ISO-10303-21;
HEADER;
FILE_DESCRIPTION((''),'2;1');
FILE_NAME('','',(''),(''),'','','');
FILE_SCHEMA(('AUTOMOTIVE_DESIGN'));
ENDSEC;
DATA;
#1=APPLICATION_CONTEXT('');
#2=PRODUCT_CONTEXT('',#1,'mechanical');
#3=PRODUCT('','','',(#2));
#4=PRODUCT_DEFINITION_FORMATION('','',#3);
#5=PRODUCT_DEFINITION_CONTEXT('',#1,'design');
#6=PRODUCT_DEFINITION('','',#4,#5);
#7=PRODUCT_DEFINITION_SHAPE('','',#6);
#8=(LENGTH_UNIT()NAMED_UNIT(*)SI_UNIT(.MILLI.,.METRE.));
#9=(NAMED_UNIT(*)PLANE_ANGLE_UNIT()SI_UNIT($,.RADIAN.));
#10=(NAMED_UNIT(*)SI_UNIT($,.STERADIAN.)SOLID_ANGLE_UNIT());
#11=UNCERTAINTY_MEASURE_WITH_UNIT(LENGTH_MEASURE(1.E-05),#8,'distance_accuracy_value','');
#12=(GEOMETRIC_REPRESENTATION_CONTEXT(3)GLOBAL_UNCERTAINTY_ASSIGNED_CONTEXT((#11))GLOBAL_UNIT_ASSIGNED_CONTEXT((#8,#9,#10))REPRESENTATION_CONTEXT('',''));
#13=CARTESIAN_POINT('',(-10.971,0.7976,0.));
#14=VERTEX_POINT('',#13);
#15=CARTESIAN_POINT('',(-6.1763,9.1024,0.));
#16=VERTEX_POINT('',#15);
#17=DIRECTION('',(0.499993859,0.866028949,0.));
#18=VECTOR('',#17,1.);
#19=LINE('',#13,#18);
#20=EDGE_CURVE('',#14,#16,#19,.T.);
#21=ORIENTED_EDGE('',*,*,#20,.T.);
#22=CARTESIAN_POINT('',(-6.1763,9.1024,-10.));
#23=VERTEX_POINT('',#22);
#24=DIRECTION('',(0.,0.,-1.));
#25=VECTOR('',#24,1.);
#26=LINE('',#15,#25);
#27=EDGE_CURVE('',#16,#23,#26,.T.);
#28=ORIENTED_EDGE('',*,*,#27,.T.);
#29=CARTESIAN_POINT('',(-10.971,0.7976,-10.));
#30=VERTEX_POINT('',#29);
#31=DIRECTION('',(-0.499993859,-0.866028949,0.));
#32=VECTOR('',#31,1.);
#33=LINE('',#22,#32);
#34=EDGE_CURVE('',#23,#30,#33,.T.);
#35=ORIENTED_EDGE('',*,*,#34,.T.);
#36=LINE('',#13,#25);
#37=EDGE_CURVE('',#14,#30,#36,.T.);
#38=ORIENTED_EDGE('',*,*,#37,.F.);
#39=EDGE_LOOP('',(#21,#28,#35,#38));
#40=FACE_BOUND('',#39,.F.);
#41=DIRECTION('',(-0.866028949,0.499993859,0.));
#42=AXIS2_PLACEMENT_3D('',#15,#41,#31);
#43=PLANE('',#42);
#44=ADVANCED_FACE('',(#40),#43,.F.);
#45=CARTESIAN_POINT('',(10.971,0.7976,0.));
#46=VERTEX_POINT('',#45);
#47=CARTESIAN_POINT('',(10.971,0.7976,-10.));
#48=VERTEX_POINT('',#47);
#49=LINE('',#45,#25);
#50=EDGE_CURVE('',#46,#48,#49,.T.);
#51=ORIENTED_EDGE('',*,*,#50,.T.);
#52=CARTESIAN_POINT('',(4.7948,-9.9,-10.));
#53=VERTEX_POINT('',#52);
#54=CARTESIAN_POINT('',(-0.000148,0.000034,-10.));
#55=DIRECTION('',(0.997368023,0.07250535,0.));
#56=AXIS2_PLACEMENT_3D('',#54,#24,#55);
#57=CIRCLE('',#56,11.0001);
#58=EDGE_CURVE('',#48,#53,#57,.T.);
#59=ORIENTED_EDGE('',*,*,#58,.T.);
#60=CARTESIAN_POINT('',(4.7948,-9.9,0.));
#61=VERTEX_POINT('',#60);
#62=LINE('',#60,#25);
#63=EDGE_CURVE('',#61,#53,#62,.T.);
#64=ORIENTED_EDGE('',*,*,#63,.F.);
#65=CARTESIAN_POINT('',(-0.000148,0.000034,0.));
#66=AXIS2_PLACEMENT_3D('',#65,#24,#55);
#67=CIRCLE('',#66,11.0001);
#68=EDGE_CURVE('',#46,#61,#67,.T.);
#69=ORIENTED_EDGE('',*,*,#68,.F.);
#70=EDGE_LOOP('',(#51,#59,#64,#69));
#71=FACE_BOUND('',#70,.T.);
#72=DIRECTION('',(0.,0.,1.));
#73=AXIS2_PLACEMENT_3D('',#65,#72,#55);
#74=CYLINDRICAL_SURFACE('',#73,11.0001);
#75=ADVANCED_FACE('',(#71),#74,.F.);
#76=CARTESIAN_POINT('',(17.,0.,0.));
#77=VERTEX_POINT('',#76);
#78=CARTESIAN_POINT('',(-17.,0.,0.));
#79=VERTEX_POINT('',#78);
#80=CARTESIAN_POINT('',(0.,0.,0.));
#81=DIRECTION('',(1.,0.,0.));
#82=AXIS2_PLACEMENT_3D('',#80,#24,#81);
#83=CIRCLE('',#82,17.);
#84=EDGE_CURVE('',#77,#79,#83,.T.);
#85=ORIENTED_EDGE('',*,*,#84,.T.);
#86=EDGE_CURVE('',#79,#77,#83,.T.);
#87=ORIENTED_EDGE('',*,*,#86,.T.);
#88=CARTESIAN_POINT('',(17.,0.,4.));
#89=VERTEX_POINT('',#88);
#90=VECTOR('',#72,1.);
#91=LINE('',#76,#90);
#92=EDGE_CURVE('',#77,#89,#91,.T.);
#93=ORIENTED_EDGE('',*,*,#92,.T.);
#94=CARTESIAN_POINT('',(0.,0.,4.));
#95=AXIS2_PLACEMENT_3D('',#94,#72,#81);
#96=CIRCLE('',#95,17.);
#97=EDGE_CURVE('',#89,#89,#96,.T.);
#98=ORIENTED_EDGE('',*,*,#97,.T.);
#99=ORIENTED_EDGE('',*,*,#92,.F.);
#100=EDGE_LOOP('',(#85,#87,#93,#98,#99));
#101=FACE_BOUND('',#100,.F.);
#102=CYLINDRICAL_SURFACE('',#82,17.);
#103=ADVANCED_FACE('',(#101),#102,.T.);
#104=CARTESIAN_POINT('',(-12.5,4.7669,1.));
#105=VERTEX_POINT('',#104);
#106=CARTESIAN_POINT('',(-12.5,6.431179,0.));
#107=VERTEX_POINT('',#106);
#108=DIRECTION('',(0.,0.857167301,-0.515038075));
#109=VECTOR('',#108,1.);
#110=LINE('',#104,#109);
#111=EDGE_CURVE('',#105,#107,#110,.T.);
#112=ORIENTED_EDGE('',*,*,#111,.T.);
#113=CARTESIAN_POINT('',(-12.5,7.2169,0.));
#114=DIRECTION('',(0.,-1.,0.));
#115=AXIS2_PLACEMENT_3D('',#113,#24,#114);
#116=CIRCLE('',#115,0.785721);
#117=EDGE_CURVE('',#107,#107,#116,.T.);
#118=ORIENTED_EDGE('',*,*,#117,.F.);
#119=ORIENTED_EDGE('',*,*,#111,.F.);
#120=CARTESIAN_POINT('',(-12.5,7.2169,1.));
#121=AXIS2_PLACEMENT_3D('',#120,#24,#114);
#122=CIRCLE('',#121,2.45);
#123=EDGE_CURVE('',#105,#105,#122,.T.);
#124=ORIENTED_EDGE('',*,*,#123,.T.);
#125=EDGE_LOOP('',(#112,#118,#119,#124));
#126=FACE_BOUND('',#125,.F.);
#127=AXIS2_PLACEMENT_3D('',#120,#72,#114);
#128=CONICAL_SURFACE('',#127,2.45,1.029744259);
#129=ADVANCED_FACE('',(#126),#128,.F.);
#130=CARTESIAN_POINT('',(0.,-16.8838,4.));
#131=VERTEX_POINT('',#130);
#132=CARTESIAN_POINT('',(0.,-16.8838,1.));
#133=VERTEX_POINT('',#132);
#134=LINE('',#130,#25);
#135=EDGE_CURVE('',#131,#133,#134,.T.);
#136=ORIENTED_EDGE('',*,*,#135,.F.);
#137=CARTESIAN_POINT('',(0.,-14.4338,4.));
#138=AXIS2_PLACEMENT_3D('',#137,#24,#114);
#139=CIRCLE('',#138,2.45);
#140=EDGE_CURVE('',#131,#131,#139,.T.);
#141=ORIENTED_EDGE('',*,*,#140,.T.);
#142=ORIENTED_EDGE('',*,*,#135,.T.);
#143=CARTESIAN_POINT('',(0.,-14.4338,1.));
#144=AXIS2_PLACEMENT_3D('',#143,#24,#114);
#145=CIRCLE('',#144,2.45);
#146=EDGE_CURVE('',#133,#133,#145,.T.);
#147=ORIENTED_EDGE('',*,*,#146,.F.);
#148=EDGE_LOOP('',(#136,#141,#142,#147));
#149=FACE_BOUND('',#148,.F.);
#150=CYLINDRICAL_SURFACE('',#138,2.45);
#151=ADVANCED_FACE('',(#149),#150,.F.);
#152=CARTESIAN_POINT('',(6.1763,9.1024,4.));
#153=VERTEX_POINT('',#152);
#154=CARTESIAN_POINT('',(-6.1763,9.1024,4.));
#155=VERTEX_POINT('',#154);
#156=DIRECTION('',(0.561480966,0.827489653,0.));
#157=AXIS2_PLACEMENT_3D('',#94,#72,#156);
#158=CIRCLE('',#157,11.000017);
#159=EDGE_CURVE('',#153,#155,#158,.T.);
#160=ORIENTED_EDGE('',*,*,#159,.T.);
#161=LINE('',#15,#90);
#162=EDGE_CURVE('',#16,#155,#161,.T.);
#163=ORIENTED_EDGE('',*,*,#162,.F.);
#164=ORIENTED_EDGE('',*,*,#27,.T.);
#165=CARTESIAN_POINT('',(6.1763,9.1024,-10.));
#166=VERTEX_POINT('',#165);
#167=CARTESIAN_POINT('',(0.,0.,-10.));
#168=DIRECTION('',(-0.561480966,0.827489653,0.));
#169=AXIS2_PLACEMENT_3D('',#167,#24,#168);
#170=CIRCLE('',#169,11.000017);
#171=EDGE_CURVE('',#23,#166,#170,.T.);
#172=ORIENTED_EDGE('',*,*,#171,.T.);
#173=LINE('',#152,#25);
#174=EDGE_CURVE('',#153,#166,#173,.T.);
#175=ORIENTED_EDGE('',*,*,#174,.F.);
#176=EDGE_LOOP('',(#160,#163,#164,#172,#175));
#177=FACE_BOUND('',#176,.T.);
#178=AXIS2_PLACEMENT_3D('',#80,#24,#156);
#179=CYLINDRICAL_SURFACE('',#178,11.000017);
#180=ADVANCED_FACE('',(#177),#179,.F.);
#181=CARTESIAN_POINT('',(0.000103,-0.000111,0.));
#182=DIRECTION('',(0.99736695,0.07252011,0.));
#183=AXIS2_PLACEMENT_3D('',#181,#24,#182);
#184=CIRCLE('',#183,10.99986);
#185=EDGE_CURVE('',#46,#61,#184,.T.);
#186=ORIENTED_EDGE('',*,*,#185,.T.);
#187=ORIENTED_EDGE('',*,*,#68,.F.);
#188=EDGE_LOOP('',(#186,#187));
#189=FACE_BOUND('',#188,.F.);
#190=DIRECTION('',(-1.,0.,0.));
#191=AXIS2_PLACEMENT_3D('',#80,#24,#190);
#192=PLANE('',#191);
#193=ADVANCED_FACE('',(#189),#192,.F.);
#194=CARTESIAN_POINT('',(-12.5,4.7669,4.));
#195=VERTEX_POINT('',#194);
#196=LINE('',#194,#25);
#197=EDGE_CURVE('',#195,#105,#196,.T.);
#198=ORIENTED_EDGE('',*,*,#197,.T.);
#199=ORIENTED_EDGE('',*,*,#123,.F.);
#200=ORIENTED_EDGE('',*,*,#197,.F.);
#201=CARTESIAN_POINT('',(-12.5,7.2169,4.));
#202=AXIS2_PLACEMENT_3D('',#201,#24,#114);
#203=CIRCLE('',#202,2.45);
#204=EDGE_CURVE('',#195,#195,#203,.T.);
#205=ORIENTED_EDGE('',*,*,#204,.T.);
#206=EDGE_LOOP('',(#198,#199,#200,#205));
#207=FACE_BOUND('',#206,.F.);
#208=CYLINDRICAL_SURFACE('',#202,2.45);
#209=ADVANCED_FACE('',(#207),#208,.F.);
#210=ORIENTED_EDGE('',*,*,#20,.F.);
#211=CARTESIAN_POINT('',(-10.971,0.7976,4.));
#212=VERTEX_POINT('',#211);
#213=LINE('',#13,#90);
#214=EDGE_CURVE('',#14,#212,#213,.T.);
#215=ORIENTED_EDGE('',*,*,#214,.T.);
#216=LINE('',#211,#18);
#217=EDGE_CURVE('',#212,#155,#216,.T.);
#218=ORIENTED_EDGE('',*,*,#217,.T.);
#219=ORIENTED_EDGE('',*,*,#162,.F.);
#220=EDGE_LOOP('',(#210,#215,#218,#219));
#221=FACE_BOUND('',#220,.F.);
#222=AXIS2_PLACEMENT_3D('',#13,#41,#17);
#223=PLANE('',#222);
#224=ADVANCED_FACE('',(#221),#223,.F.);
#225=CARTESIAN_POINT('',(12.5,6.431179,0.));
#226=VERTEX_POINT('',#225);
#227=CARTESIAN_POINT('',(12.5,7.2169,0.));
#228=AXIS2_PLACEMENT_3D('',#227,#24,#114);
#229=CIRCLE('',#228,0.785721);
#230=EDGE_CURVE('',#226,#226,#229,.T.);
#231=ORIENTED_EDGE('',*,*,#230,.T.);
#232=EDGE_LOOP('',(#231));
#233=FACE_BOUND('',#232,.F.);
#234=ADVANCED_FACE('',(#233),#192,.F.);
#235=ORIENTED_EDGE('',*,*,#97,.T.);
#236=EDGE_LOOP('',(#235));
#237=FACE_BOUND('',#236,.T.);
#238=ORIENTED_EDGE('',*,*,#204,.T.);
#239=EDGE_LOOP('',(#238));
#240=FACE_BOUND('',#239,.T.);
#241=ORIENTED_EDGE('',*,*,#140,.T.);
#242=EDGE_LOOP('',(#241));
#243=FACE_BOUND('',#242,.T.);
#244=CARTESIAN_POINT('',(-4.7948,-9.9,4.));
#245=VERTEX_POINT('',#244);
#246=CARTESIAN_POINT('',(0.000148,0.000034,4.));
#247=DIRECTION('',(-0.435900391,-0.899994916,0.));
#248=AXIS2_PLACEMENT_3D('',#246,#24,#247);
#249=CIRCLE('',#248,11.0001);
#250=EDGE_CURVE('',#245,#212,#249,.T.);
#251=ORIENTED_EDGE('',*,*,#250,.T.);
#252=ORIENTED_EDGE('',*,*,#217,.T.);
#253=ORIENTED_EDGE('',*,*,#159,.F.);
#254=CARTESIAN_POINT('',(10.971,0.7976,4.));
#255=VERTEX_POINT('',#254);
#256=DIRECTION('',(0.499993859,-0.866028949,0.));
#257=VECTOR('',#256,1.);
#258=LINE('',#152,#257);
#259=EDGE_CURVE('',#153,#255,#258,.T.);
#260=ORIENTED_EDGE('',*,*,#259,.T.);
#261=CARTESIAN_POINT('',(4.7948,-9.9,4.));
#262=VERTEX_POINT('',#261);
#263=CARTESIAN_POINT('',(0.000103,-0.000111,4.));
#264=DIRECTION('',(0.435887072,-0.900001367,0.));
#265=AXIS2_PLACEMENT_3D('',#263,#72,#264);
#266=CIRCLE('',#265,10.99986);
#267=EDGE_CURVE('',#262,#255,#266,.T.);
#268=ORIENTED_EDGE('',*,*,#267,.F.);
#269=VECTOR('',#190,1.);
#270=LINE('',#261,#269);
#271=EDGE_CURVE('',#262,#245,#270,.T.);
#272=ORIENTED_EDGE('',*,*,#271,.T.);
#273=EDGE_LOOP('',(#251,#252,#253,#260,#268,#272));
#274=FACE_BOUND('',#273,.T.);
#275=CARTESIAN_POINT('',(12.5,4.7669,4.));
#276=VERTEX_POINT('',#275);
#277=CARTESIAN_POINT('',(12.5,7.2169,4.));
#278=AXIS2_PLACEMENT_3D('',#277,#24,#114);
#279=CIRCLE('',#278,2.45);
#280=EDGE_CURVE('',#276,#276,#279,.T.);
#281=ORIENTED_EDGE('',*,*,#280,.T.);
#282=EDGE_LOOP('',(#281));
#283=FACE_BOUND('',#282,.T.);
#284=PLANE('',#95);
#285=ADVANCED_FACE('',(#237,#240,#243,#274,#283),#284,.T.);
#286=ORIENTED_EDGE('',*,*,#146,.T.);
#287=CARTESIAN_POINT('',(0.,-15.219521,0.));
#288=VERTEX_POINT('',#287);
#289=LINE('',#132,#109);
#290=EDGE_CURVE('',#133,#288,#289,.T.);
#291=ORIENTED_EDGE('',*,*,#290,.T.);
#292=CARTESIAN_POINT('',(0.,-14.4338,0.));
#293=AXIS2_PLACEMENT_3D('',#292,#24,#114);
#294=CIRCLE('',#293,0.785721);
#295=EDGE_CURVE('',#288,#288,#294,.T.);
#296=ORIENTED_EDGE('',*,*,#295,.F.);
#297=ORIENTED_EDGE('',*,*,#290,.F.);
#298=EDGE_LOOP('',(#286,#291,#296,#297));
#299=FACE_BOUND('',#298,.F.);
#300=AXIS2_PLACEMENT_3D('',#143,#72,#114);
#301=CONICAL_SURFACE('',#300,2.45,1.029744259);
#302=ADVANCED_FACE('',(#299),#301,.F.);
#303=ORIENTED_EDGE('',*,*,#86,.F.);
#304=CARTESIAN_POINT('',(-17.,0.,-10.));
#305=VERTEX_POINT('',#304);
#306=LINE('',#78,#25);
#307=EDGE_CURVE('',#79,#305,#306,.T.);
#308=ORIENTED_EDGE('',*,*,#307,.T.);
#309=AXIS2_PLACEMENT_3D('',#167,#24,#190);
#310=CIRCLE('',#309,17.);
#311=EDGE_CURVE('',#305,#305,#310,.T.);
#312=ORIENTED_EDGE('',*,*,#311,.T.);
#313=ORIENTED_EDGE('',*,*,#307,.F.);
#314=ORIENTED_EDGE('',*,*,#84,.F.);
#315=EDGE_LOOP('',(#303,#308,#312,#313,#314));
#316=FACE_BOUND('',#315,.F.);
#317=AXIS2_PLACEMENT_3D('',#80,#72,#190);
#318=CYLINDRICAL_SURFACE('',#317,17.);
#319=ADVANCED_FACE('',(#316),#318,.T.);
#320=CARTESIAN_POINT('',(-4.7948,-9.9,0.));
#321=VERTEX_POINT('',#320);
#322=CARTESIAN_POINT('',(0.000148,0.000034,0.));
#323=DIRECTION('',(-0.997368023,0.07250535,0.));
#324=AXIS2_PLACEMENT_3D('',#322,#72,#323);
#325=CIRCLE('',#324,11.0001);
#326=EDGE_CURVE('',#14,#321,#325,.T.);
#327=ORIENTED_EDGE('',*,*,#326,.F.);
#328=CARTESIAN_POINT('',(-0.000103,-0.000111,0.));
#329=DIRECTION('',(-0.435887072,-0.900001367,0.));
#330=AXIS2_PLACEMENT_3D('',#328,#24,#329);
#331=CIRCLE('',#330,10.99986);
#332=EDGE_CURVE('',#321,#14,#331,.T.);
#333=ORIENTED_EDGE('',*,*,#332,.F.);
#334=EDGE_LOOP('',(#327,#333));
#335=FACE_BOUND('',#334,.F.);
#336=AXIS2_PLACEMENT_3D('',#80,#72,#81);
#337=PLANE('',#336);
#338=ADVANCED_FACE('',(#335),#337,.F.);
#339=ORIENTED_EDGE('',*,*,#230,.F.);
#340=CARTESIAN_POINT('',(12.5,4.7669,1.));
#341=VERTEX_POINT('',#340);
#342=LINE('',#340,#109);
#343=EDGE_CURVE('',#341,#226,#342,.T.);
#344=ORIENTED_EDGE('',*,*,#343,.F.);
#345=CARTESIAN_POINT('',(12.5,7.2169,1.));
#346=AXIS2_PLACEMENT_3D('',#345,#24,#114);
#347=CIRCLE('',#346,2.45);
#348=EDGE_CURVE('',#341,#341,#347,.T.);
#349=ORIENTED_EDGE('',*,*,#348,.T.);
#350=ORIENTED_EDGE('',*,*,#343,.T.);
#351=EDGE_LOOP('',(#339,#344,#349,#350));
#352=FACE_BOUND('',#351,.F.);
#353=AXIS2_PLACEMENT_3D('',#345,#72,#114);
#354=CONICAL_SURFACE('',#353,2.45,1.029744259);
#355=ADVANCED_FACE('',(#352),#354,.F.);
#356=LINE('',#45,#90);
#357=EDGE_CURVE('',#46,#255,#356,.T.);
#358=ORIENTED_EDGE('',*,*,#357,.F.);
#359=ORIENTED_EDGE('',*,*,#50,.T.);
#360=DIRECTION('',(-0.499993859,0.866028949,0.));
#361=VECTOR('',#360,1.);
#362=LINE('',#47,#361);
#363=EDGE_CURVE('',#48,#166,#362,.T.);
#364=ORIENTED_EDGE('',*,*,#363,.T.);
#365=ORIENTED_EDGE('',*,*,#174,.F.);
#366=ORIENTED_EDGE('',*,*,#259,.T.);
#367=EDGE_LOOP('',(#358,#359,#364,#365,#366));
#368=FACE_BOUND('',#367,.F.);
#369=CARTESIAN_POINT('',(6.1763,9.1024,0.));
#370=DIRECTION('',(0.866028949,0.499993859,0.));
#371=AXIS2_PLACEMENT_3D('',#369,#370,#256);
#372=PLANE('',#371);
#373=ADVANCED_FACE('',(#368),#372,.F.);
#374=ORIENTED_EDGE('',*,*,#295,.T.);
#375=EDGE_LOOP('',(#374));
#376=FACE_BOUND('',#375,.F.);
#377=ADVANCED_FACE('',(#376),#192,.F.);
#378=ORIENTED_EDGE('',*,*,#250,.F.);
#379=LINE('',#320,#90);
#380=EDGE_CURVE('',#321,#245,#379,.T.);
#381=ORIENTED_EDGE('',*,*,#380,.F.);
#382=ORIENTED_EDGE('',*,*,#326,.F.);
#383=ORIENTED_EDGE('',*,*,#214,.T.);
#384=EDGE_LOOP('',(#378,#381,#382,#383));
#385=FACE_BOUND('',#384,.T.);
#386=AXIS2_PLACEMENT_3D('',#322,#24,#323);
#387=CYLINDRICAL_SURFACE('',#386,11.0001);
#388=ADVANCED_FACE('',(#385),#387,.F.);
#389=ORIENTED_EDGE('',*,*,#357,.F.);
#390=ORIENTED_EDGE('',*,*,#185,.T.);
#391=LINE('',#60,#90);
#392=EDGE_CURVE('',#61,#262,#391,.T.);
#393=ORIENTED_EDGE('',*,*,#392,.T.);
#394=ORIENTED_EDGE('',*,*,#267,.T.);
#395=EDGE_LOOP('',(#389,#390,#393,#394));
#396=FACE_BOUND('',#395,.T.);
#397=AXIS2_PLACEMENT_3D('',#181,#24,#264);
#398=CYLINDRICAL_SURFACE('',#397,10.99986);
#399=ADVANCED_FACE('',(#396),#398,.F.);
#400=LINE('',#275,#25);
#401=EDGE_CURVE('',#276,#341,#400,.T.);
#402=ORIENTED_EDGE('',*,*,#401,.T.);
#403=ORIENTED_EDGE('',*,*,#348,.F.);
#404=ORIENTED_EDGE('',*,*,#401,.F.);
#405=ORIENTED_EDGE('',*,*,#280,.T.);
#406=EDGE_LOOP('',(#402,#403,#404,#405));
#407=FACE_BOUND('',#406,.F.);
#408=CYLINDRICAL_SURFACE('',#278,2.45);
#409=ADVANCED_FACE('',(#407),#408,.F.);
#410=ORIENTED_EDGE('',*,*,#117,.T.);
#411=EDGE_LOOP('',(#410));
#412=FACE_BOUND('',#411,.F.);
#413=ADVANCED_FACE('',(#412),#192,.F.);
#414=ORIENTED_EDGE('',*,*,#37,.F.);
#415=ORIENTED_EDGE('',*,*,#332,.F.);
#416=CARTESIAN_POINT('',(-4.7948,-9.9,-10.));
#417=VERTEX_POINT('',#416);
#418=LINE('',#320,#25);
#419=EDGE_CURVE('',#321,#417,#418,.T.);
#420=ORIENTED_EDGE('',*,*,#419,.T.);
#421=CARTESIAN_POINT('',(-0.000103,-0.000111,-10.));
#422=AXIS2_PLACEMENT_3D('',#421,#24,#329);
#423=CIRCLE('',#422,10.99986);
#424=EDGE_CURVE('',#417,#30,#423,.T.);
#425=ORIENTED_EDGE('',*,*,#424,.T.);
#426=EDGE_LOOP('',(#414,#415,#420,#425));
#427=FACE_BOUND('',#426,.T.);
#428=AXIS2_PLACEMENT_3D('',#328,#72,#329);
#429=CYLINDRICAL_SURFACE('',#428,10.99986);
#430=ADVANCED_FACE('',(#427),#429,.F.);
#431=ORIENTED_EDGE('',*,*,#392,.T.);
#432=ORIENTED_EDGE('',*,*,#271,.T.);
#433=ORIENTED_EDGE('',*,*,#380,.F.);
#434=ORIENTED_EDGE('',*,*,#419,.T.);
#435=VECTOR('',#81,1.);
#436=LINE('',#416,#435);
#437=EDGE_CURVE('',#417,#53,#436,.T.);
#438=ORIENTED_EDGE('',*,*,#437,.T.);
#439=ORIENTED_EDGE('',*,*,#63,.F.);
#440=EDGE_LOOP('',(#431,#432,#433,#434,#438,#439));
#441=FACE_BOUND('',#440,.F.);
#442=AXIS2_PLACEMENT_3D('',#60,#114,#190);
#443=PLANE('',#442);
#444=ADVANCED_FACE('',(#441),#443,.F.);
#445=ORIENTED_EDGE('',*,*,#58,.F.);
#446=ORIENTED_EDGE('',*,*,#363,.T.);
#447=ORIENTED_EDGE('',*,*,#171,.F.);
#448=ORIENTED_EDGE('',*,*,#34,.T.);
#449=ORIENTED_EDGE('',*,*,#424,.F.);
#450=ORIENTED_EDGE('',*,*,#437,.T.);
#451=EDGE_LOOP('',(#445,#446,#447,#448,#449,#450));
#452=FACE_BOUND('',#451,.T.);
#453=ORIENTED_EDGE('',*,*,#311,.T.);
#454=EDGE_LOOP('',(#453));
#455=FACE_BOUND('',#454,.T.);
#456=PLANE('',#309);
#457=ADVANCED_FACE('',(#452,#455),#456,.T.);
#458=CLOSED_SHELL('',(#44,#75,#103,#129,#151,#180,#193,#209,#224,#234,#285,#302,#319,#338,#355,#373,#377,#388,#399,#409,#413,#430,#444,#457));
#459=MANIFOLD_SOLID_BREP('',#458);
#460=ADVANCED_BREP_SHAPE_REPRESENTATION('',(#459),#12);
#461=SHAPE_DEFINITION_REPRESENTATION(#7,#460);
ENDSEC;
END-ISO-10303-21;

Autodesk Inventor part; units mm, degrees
ref_plane "YZ Plane" through (0, 0, 0) normal (1, 0, 0) x (0, 1, 0)
ref_plane "XZ Plane" through (0, 0, 0) normal (0, 1, 0) x (-1, 0, 0)
ref_plane "XY Plane" through (0, 0, 0) normal (0, 0, 1) x (1, 0, 0)
sketch "Sketch1" plane through (0, 0, 0) normal (0, 0, 1) x (1, 0, 0)
  circle A0 centre (0, 0) radius 17
  line L0 (4.7948, -9.9) -> (-4.7948, -9.9)
  line L1 (-23.8, 0) -> (23.8, 0) projected
  line L2 (6.1763, 9.1024) -> (10.971, 0.7976)
  line L3 (-10.971, 0.7976) -> (-6.1763, 9.1024)
  arc A1 (4.7948, -9.9) -> (10.971, 0.7976) centre (0, 0) ccw
  arc A2 (6.1763, 9.1024) -> (-6.1763, 9.1024) centre (0, 0) ccw
  arc A3 (-10.971, 0.7976) -> (-4.7948, -9.9) centre (0, 0) ccw
  dimension "d1" = 34
  dimension "d2" = 9.9
  dimension "d5" = 360
  dimension "d18" = 11
extrude "Extrusion1" add sketch "Sketch1" along normal blind 4 contours L1 A1 L2 A2 L3 A3 A0 | A0 L1 A3 L0 A1
sketch "Sketch3" plane through (0, 0, 4) normal (0, 0, 1) x (1, 0, 0)
  arc A0 (-12.5839, 8.6144) -> (-13.7522, 6.5908) centre (-12.5, 7.2169) ccw projected
  arc A1 (12.9288, 8.5496) -> (13.8686, 6.9219) centre (12.5, 7.2169) ccw projected
  arc A2 (0.9397, -15.4715) -> (-0.9397, -15.4715) centre (0, -14.4338) ccw projected
  point P0 (0, 0)
hole "Hole1" at (12.5, 7.2169, 4) at (0, -14.4338, 4) at (-12.5, 7.2169, 4) direction (0, 0, -1) diameter 4.9 depth 3 tip angle 118
sketch "Sketch4" plane through (0, 0, 0) normal (0, 0, -1) x (-1, 0, 0)
  circle A0 centre (0, -14.4338) radius 0.7857 projected
  circle A1 centre (-12.5, 7.2169) radius 0.7857 projected
  circle A2 centre (12.5, 7.2169) radius 0.7857 projected
  arc A3 (4.7948, -9.9) -> (10.971, 0.7976) centre (0, 0) ccw projected
  line L0 (4.7948, -9.9) -> (-4.7948, -9.9) projected
  arc A4 (-10.971, 0.7976) -> (-4.7948, -9.9) centre (0, 0) ccw projected
  line L1 (-10.971, 0.7976) -> (-6.1763, 9.1024) projected
  arc A5 (6.1763, 9.1024) -> (-6.1763, 9.1024) centre (0, 0) ccw projected
  line L2 (6.1763, 9.1024) -> (10.971, 0.7976) projected
  circle A6 centre (0, 0) radius 17 projected
extrude "Extrusion2" add sketch "Sketch4" along normal blind 10 contours A0 | A1 | A2 | A6
properties part number "cellSTORM_magnetic_RMS_adapter"
